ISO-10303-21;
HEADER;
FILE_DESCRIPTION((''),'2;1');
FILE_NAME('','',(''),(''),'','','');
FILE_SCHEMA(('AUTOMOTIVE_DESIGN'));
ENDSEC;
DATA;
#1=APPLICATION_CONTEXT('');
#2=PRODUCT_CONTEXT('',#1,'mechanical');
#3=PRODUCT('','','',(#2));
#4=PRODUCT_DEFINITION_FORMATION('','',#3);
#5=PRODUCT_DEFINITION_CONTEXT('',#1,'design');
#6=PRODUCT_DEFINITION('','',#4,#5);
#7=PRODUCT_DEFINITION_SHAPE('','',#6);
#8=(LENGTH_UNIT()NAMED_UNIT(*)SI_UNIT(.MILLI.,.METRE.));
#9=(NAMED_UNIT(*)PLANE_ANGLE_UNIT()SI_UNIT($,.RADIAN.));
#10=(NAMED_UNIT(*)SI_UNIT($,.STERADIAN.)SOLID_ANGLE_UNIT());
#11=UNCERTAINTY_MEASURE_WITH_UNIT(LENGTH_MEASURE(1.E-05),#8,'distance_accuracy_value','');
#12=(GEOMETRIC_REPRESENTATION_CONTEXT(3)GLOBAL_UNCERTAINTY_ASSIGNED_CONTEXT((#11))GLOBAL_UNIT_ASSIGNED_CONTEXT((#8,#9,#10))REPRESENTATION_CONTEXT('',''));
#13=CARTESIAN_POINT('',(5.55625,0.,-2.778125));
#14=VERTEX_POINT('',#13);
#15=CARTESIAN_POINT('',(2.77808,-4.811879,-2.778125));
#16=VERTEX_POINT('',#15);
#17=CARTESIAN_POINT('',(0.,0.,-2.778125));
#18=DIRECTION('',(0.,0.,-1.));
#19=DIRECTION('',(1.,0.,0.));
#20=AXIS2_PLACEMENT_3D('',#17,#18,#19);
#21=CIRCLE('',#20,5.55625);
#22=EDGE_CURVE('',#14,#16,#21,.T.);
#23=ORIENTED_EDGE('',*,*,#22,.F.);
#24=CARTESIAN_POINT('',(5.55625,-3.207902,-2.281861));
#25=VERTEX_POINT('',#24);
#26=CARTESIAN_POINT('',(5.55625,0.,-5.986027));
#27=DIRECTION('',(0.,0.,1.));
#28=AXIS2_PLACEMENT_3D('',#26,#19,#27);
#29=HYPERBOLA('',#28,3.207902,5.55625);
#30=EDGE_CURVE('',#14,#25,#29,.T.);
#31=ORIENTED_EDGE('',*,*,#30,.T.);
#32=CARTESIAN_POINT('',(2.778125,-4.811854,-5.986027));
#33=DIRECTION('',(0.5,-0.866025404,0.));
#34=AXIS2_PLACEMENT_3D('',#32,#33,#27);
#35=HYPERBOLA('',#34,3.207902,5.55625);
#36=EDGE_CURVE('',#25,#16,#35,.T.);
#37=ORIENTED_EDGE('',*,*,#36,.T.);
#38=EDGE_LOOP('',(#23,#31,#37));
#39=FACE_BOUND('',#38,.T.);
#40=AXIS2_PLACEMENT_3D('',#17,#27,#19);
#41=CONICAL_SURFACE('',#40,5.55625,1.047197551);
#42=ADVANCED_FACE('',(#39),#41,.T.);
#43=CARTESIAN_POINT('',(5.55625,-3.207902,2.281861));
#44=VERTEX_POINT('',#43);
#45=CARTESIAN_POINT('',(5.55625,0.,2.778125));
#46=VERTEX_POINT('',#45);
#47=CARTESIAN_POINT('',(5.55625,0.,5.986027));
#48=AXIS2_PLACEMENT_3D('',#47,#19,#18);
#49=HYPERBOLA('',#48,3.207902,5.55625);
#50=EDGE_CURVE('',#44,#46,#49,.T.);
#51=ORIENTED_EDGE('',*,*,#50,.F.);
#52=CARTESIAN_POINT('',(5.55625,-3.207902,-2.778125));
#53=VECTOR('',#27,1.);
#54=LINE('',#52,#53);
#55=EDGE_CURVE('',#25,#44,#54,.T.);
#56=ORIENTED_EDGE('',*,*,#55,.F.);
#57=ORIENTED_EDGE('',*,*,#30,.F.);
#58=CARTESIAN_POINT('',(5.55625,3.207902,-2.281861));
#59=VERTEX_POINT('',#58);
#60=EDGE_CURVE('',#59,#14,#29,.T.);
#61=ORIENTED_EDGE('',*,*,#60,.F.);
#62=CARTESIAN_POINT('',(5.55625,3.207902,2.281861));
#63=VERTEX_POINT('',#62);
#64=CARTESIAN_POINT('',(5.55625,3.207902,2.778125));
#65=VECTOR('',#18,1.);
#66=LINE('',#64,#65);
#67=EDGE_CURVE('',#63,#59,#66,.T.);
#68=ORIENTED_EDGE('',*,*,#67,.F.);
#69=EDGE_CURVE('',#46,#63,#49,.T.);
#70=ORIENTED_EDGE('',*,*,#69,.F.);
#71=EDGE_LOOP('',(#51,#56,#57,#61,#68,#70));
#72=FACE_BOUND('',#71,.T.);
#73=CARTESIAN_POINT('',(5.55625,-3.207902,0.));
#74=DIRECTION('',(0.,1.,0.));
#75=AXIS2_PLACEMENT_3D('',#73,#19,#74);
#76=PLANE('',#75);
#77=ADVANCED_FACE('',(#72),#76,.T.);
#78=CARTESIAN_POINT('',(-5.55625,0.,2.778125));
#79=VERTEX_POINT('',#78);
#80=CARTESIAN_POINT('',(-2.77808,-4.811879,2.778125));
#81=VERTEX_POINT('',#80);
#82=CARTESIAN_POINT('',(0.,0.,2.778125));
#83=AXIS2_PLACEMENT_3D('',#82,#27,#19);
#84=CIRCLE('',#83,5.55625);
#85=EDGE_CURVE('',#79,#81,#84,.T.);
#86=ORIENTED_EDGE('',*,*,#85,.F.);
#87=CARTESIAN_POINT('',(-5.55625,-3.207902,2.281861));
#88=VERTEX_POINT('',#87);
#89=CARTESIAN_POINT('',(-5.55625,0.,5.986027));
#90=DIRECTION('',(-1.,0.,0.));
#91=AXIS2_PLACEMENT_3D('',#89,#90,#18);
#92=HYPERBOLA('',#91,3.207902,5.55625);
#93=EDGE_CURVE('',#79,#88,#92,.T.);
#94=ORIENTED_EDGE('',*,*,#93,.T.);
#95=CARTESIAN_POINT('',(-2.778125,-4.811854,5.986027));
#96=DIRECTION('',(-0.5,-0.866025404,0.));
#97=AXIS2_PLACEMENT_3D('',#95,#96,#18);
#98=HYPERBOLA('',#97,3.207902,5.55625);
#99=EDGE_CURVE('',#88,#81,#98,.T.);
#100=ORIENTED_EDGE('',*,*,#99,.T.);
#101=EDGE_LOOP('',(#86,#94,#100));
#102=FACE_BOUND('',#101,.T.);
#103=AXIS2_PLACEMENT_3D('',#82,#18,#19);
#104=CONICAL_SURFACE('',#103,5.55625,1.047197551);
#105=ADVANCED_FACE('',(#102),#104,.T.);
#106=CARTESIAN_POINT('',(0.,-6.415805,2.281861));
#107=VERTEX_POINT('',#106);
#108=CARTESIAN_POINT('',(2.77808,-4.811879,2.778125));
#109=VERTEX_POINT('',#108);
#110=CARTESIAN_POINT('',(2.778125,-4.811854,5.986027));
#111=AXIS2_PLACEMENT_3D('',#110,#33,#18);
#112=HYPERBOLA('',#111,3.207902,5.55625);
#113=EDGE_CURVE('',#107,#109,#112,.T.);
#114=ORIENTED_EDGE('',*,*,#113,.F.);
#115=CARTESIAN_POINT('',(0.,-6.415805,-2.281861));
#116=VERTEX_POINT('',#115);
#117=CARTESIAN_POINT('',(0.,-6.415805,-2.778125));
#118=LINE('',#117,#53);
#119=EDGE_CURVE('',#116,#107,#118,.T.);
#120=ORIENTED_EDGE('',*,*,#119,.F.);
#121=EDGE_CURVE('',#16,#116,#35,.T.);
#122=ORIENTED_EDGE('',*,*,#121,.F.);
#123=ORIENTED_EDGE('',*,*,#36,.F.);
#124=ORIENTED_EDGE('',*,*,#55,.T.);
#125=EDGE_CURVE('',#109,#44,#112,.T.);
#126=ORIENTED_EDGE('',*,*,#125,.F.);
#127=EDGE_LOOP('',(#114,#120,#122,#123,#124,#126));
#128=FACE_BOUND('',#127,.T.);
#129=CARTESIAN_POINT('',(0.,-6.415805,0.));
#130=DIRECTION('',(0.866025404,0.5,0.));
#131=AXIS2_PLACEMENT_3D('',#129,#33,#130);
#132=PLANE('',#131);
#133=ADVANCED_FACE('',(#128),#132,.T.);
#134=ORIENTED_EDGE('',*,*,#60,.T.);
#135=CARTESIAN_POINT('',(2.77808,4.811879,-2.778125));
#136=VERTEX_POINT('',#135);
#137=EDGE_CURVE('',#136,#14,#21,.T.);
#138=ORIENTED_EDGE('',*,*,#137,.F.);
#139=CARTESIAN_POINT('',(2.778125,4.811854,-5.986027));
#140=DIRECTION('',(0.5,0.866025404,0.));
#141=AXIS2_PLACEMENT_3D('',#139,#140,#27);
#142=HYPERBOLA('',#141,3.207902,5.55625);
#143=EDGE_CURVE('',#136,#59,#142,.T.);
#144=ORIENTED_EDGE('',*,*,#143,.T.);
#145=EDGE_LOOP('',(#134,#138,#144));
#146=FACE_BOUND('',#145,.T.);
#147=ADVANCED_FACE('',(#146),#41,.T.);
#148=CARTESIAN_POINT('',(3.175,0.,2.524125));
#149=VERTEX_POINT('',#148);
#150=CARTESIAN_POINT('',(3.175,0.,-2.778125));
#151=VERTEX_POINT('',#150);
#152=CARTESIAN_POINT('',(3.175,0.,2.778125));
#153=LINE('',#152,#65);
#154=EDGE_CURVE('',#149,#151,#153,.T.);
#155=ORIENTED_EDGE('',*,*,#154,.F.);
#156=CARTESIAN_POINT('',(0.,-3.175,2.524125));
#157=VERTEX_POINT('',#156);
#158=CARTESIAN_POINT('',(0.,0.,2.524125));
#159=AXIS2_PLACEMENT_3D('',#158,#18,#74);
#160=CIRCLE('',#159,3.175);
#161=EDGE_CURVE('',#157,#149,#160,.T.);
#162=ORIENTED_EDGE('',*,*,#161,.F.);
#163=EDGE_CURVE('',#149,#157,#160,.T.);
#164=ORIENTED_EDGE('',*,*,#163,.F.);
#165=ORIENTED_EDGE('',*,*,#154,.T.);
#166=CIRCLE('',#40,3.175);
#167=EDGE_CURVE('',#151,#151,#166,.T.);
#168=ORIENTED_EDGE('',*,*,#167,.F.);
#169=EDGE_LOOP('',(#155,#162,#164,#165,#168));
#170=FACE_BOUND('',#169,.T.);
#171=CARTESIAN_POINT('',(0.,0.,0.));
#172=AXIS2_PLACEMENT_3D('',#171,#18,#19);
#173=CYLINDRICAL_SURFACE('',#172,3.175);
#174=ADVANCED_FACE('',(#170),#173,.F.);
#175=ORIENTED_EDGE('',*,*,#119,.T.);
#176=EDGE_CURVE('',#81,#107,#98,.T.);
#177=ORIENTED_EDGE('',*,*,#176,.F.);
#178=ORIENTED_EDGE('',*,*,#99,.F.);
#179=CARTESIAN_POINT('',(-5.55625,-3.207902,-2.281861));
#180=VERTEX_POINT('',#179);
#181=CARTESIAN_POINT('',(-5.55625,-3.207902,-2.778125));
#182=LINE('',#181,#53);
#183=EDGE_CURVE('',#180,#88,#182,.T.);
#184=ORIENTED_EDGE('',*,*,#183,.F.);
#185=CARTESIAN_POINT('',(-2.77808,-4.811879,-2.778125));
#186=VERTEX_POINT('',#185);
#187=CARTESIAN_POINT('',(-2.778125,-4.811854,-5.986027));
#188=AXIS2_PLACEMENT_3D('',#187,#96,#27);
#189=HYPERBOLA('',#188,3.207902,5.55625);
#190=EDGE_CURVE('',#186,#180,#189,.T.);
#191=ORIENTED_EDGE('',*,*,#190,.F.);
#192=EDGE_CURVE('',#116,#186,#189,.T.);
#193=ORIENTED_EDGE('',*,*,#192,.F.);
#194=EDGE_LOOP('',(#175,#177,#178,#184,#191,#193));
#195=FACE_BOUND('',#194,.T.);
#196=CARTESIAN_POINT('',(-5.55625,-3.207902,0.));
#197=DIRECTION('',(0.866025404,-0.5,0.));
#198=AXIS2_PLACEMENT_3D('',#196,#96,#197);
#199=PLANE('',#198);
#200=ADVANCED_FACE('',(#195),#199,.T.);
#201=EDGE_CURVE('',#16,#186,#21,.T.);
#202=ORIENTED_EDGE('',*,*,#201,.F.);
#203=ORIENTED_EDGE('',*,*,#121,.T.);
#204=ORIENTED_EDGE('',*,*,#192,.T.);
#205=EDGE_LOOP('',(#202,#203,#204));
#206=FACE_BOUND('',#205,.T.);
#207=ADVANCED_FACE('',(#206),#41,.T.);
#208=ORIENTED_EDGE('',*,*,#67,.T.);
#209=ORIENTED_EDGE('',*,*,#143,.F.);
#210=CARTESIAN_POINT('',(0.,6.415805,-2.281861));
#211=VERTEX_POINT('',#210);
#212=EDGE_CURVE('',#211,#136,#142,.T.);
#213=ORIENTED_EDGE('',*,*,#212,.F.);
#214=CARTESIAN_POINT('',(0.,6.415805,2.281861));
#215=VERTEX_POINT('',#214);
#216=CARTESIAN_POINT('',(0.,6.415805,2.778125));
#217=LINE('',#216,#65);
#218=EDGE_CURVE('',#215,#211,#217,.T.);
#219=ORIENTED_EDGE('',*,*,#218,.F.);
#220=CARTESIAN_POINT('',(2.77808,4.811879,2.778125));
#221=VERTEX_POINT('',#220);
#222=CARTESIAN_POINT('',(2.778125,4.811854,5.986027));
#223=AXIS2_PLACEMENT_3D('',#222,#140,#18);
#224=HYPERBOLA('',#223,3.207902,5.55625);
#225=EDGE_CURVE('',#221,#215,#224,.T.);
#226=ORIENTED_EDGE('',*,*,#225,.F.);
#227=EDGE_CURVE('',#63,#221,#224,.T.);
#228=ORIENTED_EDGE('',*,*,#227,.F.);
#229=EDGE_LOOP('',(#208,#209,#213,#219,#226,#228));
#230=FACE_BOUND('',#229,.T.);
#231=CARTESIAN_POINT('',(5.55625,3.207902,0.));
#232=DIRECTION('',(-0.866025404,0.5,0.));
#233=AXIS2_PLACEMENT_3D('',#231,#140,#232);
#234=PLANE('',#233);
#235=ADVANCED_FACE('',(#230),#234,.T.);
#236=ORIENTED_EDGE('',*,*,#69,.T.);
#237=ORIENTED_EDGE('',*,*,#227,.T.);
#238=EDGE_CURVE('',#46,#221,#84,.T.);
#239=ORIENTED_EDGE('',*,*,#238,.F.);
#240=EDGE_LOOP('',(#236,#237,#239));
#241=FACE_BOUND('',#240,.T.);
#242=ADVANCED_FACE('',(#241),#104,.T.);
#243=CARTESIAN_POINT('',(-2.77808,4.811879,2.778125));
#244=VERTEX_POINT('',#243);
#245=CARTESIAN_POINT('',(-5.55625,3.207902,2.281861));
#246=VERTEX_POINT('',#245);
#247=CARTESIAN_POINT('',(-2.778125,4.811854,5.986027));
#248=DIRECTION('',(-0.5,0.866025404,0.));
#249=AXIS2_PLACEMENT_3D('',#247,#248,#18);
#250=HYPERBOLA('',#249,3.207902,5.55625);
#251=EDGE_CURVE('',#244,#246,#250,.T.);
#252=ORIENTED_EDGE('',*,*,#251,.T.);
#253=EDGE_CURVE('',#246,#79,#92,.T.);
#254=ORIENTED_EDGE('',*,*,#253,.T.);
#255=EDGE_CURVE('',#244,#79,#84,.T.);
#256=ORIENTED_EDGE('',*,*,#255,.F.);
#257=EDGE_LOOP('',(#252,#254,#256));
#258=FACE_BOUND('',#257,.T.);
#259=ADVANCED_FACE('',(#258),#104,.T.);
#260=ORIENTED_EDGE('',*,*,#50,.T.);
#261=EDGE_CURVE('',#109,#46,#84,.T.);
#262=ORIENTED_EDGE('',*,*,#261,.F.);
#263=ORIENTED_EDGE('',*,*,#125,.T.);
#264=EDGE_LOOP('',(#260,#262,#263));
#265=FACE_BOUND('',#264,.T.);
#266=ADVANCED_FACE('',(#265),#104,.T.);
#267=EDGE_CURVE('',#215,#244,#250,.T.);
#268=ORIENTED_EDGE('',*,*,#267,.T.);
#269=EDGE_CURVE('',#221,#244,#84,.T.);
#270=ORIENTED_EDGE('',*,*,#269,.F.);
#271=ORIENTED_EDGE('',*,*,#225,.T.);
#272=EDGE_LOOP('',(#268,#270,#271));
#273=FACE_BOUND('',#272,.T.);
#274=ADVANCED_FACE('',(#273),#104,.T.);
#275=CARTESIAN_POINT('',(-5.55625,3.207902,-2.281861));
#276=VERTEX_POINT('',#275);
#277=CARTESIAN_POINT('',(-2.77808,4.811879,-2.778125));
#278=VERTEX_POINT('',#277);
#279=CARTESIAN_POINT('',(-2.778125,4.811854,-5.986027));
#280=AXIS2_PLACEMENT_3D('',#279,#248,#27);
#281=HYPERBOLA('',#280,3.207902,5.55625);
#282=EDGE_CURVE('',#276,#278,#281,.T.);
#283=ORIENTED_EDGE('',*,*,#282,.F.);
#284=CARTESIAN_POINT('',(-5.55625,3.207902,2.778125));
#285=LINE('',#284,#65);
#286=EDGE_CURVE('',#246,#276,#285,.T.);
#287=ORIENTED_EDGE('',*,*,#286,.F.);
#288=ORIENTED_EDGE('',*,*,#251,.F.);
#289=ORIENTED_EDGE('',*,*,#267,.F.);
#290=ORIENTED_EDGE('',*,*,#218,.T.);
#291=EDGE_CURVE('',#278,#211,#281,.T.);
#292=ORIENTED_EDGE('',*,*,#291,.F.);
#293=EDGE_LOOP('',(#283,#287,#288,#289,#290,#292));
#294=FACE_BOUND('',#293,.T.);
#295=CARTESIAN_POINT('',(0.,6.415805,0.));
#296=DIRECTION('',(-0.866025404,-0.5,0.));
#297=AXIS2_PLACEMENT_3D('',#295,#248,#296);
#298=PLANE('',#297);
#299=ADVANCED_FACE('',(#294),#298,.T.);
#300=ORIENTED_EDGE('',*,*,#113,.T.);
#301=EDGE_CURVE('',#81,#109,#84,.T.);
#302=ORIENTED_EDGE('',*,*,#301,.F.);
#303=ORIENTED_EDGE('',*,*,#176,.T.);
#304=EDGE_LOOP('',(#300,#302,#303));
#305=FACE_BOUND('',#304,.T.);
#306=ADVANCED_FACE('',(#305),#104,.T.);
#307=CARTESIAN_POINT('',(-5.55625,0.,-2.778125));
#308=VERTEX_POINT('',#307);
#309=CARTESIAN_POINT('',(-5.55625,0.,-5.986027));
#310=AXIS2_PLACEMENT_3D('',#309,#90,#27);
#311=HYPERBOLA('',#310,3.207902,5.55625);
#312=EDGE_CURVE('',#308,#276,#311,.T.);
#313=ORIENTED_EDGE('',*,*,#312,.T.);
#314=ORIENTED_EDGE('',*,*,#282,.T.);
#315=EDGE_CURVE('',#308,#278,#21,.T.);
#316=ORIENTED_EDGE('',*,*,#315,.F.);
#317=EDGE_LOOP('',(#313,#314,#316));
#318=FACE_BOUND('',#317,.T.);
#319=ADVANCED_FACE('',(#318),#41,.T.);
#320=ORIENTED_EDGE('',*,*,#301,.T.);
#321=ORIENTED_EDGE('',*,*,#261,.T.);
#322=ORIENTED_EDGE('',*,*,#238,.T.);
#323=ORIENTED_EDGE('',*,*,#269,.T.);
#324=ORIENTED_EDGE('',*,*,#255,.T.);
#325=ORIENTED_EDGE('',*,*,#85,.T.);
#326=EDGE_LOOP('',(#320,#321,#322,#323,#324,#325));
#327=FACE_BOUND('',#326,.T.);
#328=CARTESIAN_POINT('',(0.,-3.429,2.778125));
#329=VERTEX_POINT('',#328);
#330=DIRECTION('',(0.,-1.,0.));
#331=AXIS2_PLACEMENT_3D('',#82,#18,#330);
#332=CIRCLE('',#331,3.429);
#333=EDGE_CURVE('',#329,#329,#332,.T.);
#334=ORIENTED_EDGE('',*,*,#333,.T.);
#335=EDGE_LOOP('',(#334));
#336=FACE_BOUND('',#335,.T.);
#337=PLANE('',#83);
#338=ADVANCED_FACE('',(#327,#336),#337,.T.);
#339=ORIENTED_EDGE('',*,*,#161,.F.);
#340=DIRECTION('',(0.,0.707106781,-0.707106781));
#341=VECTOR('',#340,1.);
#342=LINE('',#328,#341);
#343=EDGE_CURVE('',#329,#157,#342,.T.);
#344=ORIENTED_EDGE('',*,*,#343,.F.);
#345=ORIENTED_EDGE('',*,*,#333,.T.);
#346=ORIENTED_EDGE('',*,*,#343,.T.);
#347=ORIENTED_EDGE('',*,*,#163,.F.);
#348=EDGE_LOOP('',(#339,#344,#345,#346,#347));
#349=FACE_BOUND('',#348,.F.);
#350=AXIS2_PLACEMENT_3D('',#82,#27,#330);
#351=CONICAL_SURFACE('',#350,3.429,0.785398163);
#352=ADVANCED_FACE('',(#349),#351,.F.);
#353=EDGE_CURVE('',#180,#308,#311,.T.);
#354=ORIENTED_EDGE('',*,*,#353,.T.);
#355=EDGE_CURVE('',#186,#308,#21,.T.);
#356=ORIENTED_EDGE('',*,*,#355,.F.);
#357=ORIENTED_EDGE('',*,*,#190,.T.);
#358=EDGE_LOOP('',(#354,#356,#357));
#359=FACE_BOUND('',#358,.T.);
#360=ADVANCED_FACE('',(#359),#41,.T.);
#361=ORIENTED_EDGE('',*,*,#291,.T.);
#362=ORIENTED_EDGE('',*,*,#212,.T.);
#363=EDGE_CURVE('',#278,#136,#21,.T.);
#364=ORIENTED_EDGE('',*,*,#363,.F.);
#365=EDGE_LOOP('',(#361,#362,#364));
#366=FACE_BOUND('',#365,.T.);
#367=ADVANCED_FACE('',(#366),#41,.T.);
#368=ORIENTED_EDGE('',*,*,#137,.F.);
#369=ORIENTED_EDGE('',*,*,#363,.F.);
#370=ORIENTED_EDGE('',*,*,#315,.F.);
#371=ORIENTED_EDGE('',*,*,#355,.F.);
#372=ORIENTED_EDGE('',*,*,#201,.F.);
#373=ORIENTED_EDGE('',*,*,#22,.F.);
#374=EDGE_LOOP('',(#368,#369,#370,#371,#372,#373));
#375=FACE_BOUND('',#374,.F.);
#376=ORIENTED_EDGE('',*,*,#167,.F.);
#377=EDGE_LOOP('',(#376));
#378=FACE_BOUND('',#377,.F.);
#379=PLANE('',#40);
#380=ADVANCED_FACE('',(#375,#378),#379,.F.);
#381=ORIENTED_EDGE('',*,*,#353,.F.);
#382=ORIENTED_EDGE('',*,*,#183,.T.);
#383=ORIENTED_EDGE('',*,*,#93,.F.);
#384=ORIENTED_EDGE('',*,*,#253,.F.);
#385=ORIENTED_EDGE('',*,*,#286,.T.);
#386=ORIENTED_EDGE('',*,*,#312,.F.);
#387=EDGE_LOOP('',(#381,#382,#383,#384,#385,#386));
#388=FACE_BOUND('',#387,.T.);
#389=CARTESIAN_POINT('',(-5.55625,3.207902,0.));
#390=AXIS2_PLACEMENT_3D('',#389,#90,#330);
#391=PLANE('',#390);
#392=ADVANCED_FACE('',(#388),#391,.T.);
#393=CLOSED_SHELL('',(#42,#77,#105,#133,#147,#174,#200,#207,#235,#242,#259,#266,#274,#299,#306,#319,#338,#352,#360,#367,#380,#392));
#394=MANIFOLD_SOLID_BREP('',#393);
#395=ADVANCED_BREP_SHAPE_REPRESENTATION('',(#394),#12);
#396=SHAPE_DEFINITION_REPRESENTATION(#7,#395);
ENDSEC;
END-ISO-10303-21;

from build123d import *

# Parameters (mm, degrees)
SKETCH1_R               = 3.175
EXTRUDE1_DEPTH          = 2.778125
SKETCH9_OUTSIDE_W       = 55.29
SKETCH9_OUTSIDE_H       = 57.01
SKETCH9_OUTSIDE_R       = 5.55625
CUT_EXTRUDE2_DEPTH      = 11.1442782
CUT_EXTRUDE2_DRAFT      = -60
MIRROR2_COPY_1_SKETCH_W = 55.29
MIRROR2_COPY_1_SKETCH_H = 57.01
MIRROR2_COPY_1_SKETCH_R = 5.55625
MIRROR2_COPY_1_DEPTH    = 11.1442782
MIRROR2_COPY_1_DRAFT    = -60


with BuildPart() as part:
    # Sketch1 → Extrude1 (new, symmetric)
    with BuildSketch(Plane.XY):
        Polygon((-5.55625, 3.207902433), (-5.55625, -3.207902433), (0, -6.415804866), (5.55625, -3.207902433), (5.55625, 3.207902433), (0, 6.415804866), align=None)
        Circle(SKETCH1_R, mode=Mode.SUBTRACT)
    extrude(amount=EXTRUDE1_DEPTH, both=True)


with BuildPart() as cut_extrude2_tool:
    # Sketch9 outside → Cut-Extrude2 (with draft: the straight prism first)
    with BuildSketch(Plane.XY.offset(2.778125)):
        Rectangle(SKETCH9_OUTSIDE_W, SKETCH9_OUTSIDE_H)
        Circle(SKETCH9_OUTSIDE_R, mode=Mode.SUBTRACT)
    extrude(amount=-CUT_EXTRUDE2_DEPTH)
    # Cut-Extrude2: the draft: its side faces are tilted about the plane it starts from
    cut_extrude2_sides = [cut_extrude2_tool.faces().sort_by_distance(p)[0] for p in [
        (0, -28.505, -2.7940141),
        (27.645, 0, -2.7940141),
        (0, 28.505, -2.7940141),
        (-27.645, 0, -2.7940141),
        (-5.55625, 0, -2.7940141),
    ]]
    draft(cut_extrude2_sides, Plane.XY.offset(2.778125), CUT_EXTRUDE2_DRAFT)


with BuildPart() as part_1:
    add(part.part)

    # Cut-Extrude2: cut by cut_extrude2_tool
    add(cut_extrude2_tool.part, mode=Mode.SUBTRACT)


with BuildPart() as mirror2_copy_1_tool:
    # Mirror2 copy 1 sketch → Mirror2 copy 1 (with draft: the straight prism first)
    with BuildSketch(Plane(origin=(0, 0, -2.778125), x_dir=(1, 0, 0), z_dir=(0, 0, -1))):
        Rectangle(MIRROR2_COPY_1_SKETCH_W, MIRROR2_COPY_1_SKETCH_H)
        Circle(MIRROR2_COPY_1_SKETCH_R, mode=Mode.SUBTRACT)
    extrude(amount=-MIRROR2_COPY_1_DEPTH)
    # Mirror2 copy 1: the draft: its side faces are tilted about the plane it starts from
    mirror2_copy_1_sides = [mirror2_copy_1_tool.faces().sort_by_distance(p)[0] for p in [
        (0, -28.505, 2.7940141),
        (27.645, 0, 2.7940141),
        (0, 28.505, 2.7940141),
        (-27.645, 0, 2.7940141),
        (-5.55625, 0, 2.7940141),
    ]]
    draft(mirror2_copy_1_sides, Plane(origin=(0, 0, -2.778125), x_dir=(1, 0, 0), z_dir=(0, 0, -1)), MIRROR2_COPY_1_DRAFT)


with BuildPart() as part_2:
    add(part_1.part)

    # Mirror2 copy 1: cut by mirror2_copy_1_tool
    add(mirror2_copy_1_tool.part, mode=Mode.SUBTRACT)

    # Cut-Extrude10 cone 1 section (through the dimple's axis) → Cut-Extrude10 (revolve, cut)
    with BuildSketch(Plane(origin=(0, 0, 2.778125), x_dir=(0, -1, 0), z_dir=(1, 0, 0))):
        Polygon((0, 0), (3.429, 0), (0, 3.429), align=None)
    revolve(axis=Axis((0, 0, 2.778125), (0, 0, -1)), mode=Mode.SUBTRACT)


solid = part_2.part
